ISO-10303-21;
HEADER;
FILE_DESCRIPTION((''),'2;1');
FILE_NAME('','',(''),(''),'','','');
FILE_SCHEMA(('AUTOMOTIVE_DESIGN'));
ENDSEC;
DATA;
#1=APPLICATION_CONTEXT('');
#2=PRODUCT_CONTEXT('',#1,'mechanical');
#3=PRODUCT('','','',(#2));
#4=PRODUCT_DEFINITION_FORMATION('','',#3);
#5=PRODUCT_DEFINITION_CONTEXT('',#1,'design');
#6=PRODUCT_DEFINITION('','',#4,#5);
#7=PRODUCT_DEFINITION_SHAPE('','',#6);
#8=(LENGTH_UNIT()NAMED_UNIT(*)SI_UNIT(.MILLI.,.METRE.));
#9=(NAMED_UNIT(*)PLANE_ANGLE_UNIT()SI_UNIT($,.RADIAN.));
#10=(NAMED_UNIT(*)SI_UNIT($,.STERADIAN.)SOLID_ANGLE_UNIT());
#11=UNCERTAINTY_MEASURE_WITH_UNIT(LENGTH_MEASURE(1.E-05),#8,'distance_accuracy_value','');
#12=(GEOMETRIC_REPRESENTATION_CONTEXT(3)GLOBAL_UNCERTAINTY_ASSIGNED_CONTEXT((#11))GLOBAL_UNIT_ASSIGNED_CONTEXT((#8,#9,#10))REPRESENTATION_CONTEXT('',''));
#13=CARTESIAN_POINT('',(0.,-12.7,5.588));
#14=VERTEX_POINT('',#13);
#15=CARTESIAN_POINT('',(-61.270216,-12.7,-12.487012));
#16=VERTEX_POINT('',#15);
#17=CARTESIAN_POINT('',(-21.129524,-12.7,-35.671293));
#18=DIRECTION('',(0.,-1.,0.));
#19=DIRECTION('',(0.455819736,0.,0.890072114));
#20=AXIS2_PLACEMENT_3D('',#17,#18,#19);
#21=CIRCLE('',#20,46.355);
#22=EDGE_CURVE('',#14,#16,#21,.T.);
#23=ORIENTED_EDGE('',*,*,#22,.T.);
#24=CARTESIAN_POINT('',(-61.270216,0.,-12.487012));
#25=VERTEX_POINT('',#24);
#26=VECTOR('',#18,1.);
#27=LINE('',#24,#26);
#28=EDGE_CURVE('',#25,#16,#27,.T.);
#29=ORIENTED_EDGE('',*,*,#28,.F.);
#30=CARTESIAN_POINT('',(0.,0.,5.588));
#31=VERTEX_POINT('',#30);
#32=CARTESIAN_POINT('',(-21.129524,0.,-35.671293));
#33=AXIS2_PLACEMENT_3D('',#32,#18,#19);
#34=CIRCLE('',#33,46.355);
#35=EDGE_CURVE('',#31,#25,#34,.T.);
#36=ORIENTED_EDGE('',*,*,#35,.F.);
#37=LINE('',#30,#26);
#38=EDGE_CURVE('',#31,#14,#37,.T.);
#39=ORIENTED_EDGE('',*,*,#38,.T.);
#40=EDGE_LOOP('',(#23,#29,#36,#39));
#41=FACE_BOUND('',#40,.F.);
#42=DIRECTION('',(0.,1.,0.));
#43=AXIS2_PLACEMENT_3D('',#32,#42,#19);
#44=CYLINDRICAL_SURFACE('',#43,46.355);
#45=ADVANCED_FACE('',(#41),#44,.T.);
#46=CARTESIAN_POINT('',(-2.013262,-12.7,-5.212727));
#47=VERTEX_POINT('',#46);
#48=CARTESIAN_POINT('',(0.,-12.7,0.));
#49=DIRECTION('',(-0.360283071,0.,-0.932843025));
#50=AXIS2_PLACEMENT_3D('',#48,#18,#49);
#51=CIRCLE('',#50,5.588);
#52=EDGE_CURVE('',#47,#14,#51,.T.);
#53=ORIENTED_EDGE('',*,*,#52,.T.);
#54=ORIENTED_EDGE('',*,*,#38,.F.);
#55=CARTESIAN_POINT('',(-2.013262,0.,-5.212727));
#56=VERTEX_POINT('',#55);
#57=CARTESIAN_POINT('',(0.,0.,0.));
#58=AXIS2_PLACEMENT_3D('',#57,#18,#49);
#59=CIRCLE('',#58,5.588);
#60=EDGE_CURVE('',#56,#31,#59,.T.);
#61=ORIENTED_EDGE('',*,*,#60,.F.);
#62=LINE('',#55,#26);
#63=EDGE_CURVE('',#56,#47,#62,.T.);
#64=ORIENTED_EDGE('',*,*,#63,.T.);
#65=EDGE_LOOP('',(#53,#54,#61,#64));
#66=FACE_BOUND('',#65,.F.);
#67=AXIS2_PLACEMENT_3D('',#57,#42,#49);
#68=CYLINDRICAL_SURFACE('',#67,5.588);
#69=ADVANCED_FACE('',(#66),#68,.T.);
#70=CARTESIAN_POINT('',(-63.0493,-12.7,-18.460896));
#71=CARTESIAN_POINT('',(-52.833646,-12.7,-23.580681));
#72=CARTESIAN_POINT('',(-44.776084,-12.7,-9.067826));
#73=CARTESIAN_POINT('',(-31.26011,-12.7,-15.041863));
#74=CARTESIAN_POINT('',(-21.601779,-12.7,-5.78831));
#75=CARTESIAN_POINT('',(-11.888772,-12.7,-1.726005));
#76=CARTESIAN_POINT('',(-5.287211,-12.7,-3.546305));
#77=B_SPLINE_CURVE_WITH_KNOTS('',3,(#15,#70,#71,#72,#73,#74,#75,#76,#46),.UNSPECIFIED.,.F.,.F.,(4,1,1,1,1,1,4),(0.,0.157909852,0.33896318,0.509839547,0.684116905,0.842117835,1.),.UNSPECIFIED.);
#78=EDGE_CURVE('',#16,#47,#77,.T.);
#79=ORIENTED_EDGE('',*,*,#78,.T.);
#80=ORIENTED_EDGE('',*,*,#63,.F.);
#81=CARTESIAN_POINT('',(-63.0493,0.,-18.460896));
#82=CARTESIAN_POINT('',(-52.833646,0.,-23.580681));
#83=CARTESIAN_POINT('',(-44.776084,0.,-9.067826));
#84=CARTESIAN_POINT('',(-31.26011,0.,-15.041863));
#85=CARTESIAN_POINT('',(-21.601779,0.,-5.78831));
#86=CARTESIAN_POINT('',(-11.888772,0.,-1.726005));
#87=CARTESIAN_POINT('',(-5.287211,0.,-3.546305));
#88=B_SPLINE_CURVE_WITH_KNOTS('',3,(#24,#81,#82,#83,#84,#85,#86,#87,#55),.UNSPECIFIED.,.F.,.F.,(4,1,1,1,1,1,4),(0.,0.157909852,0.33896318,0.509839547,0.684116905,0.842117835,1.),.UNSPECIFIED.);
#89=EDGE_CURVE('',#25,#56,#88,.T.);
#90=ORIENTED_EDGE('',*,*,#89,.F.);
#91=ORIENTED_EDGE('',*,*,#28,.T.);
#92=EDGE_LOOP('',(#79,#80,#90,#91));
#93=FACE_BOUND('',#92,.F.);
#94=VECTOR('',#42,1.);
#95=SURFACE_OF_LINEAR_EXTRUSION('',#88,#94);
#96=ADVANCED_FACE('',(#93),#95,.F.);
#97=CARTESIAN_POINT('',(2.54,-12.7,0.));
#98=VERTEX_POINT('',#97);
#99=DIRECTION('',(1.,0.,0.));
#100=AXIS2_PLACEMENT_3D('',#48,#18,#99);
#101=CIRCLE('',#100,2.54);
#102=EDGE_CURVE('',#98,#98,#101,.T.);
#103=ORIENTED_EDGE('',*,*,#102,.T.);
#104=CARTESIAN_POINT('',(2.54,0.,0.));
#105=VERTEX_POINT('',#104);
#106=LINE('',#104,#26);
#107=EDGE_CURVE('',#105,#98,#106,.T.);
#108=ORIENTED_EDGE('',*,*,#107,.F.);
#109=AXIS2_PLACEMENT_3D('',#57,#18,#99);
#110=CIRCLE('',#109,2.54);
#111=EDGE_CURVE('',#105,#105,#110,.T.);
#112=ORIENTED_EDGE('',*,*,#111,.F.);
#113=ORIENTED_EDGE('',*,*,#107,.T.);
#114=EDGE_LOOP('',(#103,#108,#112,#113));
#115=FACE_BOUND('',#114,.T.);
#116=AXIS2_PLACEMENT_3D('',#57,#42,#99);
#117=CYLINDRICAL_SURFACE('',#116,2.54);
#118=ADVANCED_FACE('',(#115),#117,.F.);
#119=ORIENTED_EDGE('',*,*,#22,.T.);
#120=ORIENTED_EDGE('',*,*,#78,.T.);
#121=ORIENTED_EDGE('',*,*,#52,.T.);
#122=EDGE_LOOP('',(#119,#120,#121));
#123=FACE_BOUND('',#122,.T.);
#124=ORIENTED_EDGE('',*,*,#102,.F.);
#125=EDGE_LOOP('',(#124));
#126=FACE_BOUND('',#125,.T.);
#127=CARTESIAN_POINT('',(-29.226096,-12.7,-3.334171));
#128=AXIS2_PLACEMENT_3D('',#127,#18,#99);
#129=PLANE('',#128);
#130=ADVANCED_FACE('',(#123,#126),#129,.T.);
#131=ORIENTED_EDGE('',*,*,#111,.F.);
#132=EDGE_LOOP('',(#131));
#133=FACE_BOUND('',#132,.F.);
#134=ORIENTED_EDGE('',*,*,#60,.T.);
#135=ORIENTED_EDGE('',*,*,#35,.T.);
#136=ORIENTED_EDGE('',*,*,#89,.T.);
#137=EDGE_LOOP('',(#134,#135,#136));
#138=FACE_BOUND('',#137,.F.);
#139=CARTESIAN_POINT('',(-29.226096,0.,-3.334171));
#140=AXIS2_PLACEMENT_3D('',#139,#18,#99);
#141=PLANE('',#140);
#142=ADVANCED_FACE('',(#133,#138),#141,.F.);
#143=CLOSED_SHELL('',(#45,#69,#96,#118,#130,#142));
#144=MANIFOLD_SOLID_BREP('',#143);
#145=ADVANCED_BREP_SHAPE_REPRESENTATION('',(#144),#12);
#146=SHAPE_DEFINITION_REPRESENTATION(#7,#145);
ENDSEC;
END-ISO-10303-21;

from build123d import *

# Parameters (mm, degrees)
F0_R     = 2.54
F1_DEPTH = 12.7


with BuildPart() as f1:
    # F0 (on Front) → F1 (new body)
    with BuildSketch(Plane.XZ):
        with BuildLine():
            add(Edge.make_bspline(
                [(-61.2702155639, -12.4870116898), (-63.0492995514, -18.4608959599), (-52.8336462773, -23.5806814227), (-44.7760843998, -9.0678262088), (-31.2601095782, -15.0418634571), (-21.6017790105, -5.7883097563), (-11.8887722869, -1.7260045544), (-5.2872111416, -3.5463045636), (-2.0132617986, -5.2127268229)],
                knots=[0, 0, 0, 0, 0.1579098521, 0.3389631799, 0.5098395471, 0.6841169049, 0.8421178354, 1, 1, 1, 1], degree=3))
            ThreePointArc((-2.0132617986, -5.2127268229), (5.4933806297, -1.0239693632), (0, 5.588))
            ThreePointArc((0, 5.588), (-34.2456451419, 8.7894019987), (-61.2702155639, -12.4870116898))
        make_face()
        Circle(F0_R, mode=Mode.SUBTRACT)
    extrude(amount=F1_DEPTH)


solid = f1.part
